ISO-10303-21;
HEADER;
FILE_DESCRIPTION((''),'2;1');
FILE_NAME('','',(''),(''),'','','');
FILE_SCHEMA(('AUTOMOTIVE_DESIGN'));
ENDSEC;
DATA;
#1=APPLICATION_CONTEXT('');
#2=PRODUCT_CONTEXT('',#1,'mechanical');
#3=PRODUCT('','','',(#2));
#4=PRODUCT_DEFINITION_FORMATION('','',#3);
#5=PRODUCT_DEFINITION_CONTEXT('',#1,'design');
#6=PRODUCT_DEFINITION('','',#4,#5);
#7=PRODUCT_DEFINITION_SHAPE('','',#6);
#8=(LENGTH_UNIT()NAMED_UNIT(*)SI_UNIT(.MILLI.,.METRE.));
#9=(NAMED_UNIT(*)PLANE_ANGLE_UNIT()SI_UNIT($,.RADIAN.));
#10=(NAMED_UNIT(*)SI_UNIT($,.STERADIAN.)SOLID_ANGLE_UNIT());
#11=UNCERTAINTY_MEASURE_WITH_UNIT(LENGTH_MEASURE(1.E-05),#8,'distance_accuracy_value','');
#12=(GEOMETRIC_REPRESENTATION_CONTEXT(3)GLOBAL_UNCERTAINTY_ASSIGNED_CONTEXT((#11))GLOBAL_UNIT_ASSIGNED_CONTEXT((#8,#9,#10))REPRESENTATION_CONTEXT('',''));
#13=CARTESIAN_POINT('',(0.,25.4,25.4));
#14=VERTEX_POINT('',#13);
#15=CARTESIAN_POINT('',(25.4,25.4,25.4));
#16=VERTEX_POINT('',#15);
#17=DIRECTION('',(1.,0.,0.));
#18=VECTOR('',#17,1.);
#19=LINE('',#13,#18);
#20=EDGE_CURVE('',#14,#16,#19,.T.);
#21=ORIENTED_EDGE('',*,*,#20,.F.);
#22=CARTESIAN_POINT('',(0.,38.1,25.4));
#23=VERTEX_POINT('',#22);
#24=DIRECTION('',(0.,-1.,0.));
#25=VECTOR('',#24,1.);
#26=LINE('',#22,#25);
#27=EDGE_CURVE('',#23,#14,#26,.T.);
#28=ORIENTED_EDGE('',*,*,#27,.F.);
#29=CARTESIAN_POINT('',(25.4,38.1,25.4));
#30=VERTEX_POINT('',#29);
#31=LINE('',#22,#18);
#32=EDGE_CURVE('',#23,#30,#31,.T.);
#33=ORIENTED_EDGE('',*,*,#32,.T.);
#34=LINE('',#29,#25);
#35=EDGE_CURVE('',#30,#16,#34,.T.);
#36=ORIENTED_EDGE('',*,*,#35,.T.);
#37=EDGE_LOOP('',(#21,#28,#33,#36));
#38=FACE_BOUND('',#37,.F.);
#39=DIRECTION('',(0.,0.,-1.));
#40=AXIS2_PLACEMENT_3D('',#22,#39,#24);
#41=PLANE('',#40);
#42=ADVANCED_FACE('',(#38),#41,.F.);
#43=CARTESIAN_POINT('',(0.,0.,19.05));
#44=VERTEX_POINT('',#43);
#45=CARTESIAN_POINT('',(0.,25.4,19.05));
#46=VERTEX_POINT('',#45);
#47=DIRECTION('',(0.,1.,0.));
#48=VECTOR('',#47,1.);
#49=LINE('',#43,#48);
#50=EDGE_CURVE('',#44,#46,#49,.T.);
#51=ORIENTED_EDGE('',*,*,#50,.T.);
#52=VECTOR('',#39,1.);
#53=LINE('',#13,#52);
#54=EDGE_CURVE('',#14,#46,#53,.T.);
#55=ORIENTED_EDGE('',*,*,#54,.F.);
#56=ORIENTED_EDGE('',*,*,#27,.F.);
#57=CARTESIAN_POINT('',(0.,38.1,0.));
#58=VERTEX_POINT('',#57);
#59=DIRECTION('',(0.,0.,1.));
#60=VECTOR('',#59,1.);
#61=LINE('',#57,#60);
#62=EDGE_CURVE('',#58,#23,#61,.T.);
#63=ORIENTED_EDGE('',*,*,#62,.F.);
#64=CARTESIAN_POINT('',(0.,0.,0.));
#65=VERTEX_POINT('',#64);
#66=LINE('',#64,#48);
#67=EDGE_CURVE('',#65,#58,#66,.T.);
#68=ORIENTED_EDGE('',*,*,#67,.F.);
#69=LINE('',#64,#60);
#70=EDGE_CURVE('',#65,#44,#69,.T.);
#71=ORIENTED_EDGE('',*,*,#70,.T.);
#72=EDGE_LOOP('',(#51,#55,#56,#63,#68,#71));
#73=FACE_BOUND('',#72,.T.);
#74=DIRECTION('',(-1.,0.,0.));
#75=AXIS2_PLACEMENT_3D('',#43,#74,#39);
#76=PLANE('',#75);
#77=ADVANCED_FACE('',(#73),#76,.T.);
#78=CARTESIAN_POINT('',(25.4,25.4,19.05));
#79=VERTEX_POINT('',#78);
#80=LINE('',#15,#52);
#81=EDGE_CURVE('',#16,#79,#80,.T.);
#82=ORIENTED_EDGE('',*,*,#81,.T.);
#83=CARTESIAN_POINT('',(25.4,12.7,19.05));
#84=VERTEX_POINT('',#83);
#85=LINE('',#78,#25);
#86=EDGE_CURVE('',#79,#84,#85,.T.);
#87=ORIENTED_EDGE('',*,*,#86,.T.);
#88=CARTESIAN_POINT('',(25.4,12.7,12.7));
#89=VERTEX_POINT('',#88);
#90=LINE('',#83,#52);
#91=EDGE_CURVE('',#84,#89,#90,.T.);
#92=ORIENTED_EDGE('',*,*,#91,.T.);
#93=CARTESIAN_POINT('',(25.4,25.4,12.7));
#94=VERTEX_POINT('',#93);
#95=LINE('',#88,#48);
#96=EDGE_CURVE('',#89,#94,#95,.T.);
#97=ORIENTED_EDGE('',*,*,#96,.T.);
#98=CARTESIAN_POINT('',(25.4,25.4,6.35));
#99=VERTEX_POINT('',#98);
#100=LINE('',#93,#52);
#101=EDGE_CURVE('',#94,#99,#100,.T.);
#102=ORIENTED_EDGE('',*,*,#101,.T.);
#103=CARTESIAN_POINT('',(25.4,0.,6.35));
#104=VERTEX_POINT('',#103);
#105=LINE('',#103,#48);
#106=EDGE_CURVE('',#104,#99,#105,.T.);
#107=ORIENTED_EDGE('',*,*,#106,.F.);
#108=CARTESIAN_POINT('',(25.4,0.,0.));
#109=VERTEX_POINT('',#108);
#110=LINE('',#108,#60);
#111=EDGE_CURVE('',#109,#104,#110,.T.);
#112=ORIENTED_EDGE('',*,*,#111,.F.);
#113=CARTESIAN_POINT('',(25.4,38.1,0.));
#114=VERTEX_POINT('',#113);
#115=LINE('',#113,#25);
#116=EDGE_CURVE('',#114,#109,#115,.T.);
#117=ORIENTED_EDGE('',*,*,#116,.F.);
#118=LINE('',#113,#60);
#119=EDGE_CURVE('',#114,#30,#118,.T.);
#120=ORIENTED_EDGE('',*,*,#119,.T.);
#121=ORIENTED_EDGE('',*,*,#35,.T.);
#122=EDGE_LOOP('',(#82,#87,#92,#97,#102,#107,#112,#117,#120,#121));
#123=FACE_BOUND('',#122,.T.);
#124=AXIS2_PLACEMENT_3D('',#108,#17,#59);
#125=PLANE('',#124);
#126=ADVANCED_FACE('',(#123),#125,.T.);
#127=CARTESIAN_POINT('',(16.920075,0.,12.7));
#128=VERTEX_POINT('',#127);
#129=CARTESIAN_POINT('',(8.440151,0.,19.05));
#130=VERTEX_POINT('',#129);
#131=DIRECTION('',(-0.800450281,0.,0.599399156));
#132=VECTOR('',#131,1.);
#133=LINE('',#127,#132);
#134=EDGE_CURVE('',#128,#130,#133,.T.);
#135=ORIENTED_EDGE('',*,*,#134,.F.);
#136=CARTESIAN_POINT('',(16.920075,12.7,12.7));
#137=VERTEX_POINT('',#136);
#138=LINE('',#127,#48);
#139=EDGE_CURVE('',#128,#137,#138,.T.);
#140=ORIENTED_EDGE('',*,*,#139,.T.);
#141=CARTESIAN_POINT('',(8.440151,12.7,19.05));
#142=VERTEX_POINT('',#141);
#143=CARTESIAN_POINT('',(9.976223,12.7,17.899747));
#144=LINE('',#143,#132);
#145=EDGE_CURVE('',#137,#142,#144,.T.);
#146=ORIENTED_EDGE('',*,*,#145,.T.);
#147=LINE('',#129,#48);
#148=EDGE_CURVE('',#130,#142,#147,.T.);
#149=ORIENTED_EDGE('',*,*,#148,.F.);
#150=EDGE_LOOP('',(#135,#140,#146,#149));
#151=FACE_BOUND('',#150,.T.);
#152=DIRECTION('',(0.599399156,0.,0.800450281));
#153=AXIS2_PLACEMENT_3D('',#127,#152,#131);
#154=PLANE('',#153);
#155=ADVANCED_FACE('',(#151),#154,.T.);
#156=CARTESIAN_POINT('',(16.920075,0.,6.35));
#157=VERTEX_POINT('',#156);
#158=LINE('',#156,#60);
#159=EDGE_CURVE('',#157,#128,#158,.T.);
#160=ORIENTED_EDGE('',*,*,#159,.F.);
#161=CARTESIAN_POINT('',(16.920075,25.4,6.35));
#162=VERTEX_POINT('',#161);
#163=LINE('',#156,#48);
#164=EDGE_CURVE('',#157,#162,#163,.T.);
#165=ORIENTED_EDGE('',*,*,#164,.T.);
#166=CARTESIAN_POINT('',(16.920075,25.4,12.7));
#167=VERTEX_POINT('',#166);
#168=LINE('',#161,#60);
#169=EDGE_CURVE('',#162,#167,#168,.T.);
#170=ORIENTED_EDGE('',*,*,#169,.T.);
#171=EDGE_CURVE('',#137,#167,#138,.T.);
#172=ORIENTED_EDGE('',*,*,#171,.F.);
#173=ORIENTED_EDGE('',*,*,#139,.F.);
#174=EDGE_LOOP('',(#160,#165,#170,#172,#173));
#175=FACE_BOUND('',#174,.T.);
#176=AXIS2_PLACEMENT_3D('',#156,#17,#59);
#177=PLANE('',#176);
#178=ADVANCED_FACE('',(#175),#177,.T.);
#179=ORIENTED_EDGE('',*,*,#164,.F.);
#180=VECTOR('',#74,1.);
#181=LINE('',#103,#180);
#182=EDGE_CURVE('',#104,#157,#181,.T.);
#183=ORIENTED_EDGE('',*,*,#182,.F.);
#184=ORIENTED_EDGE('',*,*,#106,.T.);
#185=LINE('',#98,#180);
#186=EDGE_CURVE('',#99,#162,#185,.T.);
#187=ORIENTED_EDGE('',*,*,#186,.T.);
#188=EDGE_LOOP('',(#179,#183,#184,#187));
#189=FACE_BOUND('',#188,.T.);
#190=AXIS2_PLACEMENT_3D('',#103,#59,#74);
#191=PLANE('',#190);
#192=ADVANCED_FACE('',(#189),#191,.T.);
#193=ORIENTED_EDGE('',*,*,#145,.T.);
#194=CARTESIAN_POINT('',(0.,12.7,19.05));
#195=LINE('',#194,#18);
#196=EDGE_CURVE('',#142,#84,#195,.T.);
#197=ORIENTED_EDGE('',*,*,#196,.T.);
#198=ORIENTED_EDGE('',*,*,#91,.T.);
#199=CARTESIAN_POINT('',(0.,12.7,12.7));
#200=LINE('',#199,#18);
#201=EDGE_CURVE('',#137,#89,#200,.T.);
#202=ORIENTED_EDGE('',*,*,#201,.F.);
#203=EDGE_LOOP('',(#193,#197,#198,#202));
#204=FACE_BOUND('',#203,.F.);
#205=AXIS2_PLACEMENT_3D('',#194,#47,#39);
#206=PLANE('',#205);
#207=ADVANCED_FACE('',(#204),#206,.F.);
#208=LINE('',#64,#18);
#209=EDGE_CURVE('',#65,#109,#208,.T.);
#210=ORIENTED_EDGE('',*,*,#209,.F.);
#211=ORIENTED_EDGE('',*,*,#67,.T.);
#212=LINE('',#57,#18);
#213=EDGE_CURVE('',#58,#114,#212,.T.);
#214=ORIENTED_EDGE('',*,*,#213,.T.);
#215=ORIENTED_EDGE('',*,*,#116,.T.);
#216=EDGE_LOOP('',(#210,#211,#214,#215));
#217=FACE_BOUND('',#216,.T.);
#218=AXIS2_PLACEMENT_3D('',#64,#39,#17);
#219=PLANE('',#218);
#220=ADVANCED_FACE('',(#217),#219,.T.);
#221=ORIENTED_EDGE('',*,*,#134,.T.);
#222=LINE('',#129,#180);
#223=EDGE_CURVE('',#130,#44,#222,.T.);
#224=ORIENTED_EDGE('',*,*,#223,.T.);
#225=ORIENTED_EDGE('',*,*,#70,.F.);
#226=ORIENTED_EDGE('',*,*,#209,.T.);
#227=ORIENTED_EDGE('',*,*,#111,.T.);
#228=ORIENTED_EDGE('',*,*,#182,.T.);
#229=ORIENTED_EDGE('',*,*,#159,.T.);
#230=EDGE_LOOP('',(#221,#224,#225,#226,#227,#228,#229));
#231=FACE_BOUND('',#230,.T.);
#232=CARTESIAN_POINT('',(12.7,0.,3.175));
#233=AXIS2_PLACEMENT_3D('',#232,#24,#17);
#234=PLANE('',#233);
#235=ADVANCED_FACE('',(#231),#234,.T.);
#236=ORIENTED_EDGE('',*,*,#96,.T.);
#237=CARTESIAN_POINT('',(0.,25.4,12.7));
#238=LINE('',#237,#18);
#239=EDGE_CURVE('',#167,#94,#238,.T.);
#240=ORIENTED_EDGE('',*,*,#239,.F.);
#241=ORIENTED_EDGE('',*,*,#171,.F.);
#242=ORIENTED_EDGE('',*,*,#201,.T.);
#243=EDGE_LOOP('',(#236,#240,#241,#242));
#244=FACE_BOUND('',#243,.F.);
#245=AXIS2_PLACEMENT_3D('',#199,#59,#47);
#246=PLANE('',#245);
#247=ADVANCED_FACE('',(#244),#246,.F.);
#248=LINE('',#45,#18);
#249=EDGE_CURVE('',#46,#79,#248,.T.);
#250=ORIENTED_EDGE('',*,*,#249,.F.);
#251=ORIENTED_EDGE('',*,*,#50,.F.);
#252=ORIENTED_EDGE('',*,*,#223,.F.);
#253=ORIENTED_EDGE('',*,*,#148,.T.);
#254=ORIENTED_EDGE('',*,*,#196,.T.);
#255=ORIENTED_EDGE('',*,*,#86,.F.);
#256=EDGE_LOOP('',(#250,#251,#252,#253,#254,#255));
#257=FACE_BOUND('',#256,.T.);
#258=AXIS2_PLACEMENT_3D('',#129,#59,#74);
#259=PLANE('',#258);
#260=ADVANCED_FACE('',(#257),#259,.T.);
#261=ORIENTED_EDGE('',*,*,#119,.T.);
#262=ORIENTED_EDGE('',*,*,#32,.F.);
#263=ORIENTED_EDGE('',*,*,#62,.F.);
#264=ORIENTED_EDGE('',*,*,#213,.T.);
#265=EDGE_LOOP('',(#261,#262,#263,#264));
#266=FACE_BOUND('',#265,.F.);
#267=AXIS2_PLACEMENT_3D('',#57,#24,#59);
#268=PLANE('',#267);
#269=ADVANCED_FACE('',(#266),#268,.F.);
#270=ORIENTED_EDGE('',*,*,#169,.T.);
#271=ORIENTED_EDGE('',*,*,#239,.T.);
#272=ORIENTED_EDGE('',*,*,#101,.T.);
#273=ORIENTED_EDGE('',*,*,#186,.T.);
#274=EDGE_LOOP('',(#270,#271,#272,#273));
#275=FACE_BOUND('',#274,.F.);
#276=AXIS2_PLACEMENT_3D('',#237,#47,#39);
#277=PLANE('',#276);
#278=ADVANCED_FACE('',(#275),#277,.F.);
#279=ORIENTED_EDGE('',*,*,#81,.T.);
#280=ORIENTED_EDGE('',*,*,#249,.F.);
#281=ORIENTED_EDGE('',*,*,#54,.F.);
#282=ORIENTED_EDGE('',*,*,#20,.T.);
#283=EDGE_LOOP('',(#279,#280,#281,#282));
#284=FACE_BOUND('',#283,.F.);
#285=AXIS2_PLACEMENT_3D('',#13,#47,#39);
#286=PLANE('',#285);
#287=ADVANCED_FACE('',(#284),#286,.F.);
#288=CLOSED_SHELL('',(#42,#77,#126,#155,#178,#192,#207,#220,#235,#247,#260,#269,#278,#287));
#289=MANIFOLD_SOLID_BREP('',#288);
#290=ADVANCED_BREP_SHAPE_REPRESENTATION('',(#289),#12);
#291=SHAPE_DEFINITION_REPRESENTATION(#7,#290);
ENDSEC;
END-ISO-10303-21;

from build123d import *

# Parameters (mm, degrees)
F2_DEPTH = 25.4
F3_DEPTH = 25.4


with BuildPart() as f2:
    # F0 (on Front) → F2 (new body)
    with BuildSketch(Plane.XZ):
        Polygon((0, 6.35), (0, 0), (25.4, 0), (25.4, 6.35), (16.920075, 6.35), align=None)
        Polygon((0, 19.05), (0, 6.35), (16.920075, 6.35), (16.920075, 12.7), (8.440151, 19.05), align=None)
    extrude(amount=-F2_DEPTH)

    # F1 (on Right) → F3 (join)
    with BuildSketch(Plane.YZ):
        Polygon((0, 6.35), (0, 0), (38.1, 0), (38.1, 6.35), (25.4, 6.35), (12.7, 6.35), align=None)
        Polygon((25.4, 6.35), (38.1, 6.35), (38.1, 25.4), (25.4, 25.4), (25.4, 19.05), (12.7, 19.05), (12.7, 12.7), (25.4, 12.7), align=None)
    extrude(amount=F3_DEPTH)


solid = f2.part
